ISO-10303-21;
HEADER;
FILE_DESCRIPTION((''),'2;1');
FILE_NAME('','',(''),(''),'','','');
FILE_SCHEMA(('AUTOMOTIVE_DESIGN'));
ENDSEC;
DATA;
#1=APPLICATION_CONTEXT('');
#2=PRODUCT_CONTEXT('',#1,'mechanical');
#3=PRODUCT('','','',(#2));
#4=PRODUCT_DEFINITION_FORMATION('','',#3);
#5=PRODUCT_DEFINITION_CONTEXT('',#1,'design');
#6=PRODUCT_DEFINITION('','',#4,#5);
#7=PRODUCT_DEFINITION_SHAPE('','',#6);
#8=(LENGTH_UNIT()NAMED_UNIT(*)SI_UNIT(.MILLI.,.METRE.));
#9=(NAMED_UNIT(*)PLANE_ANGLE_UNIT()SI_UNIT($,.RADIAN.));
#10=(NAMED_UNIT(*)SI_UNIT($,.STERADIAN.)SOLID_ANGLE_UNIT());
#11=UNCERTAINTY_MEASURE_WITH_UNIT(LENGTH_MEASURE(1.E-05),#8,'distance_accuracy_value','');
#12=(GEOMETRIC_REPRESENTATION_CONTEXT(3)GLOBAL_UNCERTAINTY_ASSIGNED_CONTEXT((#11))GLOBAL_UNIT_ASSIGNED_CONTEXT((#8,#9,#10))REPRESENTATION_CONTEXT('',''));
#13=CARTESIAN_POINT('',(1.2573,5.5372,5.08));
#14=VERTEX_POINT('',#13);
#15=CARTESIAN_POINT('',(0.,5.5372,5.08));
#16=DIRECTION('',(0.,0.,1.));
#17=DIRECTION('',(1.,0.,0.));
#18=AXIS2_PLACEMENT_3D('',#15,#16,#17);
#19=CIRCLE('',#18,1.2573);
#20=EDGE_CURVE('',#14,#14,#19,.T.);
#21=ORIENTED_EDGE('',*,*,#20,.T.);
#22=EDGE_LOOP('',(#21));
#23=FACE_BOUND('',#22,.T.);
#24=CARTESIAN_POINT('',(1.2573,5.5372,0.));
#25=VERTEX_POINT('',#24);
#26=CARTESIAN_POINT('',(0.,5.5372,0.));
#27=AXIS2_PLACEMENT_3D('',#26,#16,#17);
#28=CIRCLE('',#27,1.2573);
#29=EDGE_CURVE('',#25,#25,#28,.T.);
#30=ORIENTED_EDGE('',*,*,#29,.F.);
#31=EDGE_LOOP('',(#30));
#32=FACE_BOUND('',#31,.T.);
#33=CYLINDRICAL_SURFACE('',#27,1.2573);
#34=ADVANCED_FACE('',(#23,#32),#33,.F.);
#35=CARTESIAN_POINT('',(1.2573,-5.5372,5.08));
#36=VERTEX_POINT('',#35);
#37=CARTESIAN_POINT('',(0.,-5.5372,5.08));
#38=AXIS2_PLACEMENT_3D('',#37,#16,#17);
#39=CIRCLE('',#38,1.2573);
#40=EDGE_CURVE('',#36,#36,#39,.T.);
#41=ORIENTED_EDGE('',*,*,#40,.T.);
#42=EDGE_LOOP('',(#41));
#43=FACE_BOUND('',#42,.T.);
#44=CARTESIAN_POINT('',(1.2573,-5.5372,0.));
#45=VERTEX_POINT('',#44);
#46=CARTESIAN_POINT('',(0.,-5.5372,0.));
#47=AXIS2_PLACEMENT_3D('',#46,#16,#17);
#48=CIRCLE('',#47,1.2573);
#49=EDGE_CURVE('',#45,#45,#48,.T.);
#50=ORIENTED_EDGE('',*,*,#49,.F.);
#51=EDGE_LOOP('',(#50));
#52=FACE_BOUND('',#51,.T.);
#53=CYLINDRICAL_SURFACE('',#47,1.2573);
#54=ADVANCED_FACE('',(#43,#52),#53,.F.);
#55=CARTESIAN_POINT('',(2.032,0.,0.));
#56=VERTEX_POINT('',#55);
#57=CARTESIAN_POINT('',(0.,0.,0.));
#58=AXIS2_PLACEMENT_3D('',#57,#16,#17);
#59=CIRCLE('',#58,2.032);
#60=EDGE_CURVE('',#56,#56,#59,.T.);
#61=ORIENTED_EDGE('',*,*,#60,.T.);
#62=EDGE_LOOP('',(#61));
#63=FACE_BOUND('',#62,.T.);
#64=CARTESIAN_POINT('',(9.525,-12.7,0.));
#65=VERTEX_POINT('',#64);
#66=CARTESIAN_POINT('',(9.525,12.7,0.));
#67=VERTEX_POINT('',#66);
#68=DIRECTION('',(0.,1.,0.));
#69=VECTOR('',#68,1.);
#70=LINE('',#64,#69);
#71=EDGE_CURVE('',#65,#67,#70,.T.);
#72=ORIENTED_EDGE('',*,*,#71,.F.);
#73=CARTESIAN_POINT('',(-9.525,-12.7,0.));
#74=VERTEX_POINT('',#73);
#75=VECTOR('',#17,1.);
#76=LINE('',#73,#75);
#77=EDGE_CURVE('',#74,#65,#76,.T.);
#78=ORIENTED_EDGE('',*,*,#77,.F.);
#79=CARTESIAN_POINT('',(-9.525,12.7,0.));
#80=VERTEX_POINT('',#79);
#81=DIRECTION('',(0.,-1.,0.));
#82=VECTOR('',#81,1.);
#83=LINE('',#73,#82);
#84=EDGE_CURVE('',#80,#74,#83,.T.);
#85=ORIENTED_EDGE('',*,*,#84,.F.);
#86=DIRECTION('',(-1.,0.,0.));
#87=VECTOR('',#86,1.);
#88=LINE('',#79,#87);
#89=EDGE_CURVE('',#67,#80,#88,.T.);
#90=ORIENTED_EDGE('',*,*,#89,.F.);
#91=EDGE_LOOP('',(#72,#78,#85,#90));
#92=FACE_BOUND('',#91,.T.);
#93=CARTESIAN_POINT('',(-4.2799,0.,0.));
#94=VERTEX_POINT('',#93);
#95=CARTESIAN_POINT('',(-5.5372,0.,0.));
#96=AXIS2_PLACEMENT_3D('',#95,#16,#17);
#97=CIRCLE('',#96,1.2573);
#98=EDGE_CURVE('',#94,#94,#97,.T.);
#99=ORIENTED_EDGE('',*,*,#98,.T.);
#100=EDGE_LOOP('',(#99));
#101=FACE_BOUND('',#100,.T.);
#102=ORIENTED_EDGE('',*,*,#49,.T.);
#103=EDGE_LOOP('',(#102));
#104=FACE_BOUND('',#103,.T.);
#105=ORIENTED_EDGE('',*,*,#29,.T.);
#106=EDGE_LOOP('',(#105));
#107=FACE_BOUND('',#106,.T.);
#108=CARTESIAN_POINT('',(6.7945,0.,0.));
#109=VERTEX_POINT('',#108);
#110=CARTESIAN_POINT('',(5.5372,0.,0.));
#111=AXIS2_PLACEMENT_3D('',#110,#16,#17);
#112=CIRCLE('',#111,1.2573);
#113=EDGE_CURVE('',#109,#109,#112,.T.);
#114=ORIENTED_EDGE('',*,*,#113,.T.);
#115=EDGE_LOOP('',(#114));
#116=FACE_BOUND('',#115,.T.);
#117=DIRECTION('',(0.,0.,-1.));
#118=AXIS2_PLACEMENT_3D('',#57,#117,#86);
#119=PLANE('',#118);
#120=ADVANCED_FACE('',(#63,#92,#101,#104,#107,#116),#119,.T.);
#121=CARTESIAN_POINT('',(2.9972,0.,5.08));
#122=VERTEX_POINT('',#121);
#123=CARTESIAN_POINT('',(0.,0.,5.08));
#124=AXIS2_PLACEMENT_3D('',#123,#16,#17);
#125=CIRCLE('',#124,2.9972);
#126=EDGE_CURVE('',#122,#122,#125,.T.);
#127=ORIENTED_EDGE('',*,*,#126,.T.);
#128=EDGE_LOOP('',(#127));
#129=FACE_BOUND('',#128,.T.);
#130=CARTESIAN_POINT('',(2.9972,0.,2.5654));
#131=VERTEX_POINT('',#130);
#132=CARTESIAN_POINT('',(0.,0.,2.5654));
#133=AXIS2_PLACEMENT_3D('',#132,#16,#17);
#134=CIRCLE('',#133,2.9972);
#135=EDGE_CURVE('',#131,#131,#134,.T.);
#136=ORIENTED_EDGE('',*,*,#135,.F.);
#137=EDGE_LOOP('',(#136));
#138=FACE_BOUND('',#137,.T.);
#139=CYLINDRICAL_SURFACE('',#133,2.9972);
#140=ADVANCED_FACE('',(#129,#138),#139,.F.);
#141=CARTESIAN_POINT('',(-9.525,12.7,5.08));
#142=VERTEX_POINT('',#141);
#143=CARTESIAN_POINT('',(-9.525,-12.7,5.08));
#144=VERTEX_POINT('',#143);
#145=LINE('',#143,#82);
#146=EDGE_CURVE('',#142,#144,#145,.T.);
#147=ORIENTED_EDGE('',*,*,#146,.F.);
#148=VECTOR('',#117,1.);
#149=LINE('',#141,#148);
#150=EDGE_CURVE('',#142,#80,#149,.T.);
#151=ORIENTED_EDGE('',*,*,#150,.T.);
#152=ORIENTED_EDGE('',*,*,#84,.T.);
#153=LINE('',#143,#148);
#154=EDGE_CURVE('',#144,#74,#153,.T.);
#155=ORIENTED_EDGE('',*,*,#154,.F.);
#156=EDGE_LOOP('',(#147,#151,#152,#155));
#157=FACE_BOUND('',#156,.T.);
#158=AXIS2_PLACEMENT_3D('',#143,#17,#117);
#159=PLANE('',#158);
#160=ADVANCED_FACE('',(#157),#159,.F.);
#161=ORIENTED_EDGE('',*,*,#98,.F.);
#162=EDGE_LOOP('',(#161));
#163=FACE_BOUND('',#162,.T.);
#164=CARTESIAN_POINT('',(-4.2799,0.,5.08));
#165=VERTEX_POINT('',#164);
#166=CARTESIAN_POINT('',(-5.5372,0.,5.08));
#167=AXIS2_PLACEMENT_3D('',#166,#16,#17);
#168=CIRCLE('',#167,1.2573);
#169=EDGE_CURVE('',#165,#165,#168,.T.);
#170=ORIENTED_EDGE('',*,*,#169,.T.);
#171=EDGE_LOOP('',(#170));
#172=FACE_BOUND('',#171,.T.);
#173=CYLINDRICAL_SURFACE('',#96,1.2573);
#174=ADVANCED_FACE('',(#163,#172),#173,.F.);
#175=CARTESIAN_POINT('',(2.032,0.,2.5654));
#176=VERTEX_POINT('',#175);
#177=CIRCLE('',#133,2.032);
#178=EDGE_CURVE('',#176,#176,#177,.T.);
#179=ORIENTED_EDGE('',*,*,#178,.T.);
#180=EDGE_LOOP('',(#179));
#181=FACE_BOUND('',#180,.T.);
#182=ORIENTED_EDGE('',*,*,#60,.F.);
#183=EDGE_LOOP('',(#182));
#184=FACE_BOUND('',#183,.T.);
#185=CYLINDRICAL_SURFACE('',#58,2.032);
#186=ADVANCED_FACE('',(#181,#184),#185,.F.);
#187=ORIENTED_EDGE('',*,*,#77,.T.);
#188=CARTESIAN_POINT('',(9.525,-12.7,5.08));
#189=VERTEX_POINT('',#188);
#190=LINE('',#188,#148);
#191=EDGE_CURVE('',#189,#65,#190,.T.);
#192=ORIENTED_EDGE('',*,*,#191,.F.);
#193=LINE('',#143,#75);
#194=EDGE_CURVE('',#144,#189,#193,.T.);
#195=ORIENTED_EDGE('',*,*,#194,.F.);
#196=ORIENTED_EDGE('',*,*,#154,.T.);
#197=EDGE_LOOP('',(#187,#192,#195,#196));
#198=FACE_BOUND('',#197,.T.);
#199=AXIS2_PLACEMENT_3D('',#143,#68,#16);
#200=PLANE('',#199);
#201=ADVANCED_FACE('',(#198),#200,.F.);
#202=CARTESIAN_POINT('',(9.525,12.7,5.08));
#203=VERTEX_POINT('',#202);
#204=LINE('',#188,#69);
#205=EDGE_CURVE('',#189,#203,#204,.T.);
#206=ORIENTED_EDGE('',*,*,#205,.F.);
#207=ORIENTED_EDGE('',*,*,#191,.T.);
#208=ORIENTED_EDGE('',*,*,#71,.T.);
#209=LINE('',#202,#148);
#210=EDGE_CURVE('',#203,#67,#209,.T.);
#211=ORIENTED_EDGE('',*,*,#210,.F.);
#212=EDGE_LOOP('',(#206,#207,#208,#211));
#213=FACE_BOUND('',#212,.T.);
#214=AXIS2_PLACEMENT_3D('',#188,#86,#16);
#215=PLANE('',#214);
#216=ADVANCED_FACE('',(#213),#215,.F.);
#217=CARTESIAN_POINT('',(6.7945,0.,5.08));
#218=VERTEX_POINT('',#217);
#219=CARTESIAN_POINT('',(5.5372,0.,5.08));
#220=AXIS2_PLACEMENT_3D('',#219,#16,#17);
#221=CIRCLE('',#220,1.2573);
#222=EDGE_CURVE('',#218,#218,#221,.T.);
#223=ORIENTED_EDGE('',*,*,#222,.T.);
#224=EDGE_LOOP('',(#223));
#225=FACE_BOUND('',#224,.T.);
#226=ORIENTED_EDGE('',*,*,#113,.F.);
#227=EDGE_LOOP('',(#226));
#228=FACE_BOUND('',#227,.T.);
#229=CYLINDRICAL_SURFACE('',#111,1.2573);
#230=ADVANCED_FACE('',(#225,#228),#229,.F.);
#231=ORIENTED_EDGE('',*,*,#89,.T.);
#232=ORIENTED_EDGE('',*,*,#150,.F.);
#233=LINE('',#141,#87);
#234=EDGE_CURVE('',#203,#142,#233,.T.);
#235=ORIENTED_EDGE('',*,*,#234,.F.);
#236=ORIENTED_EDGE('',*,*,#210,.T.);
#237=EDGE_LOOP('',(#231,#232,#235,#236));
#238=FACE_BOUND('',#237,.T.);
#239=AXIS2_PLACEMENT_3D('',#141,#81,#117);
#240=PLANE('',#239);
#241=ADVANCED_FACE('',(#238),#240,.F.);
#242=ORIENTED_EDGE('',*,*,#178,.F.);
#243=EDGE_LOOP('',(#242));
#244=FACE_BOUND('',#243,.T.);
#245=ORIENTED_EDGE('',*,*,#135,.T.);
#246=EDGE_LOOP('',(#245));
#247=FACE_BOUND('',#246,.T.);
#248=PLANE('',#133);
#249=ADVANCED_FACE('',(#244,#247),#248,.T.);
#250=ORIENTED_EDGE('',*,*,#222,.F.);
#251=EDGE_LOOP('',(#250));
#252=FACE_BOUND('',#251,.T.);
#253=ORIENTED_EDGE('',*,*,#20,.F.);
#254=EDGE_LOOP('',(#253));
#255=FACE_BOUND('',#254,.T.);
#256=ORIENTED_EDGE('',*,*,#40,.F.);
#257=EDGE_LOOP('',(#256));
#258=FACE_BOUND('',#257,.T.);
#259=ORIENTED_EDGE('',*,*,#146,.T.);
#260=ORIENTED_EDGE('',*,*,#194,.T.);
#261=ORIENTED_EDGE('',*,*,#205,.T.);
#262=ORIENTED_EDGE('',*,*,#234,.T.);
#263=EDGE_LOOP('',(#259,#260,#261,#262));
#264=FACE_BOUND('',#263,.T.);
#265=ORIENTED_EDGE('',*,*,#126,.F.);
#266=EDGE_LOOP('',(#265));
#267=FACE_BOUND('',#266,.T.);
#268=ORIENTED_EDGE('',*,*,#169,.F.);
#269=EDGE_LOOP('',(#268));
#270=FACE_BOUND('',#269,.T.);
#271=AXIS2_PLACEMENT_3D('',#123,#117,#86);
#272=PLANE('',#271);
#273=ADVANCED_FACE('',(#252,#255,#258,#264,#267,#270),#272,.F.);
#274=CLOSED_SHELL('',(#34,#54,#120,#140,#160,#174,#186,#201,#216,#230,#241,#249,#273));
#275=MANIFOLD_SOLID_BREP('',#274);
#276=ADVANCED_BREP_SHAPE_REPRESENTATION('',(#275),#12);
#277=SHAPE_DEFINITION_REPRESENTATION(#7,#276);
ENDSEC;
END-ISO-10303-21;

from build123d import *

# Parameters (mm, degrees)
SKETCH1_W           = 19.05
SKETCH1_H           = 25.4
BOSS_EXTRUDE1_DEPTH = 5.08
SKETCH2_R           = 2.9972
CUT_EXTRUDE1_DEPTH  = 2.5146
SKETCH3_R           = 2.032
CUT_EXTRUDE2_DEPTH  = 3.5654
SKETCH4_R           = 1.2573
CUT_EXTRUDE4_DEPTH  = 6.08


with BuildPart() as part:
    # Sketch1 → Boss-Extrude1 (new body)
    with BuildSketch(Plane.XY):
        Rectangle(SKETCH1_W, SKETCH1_H)
    extrude(amount=BOSS_EXTRUDE1_DEPTH)

    # Sketch2 → Cut-Extrude1 (cut)
    with BuildSketch(Plane.XY.offset(5.08)):
        Circle(SKETCH2_R)
    extrude(amount=-CUT_EXTRUDE1_DEPTH, mode=Mode.SUBTRACT)

    # Sketch3 → Cut-Extrude2 (cut, through all)
    with BuildSketch(Plane.XY.offset(2.5654)):
        Circle(SKETCH3_R)
    extrude(amount=-CUT_EXTRUDE2_DEPTH, mode=Mode.SUBTRACT)

    # Sketch4 → Cut-Extrude4 (cut, through all)
    with BuildSketch(Plane.XY.offset(5.08)):
        with Locations((0, 5.5372)):
            Circle(SKETCH4_R)
        with Locations((5.5372, 0)):
            Circle(SKETCH4_R)
        with Locations((0, -5.5372)):
            Circle(SKETCH4_R)
        with Locations((-5.5372, 0)):
            Circle(SKETCH4_R)
    extrude(amount=-CUT_EXTRUDE4_DEPTH, mode=Mode.SUBTRACT)


solid = part.part
